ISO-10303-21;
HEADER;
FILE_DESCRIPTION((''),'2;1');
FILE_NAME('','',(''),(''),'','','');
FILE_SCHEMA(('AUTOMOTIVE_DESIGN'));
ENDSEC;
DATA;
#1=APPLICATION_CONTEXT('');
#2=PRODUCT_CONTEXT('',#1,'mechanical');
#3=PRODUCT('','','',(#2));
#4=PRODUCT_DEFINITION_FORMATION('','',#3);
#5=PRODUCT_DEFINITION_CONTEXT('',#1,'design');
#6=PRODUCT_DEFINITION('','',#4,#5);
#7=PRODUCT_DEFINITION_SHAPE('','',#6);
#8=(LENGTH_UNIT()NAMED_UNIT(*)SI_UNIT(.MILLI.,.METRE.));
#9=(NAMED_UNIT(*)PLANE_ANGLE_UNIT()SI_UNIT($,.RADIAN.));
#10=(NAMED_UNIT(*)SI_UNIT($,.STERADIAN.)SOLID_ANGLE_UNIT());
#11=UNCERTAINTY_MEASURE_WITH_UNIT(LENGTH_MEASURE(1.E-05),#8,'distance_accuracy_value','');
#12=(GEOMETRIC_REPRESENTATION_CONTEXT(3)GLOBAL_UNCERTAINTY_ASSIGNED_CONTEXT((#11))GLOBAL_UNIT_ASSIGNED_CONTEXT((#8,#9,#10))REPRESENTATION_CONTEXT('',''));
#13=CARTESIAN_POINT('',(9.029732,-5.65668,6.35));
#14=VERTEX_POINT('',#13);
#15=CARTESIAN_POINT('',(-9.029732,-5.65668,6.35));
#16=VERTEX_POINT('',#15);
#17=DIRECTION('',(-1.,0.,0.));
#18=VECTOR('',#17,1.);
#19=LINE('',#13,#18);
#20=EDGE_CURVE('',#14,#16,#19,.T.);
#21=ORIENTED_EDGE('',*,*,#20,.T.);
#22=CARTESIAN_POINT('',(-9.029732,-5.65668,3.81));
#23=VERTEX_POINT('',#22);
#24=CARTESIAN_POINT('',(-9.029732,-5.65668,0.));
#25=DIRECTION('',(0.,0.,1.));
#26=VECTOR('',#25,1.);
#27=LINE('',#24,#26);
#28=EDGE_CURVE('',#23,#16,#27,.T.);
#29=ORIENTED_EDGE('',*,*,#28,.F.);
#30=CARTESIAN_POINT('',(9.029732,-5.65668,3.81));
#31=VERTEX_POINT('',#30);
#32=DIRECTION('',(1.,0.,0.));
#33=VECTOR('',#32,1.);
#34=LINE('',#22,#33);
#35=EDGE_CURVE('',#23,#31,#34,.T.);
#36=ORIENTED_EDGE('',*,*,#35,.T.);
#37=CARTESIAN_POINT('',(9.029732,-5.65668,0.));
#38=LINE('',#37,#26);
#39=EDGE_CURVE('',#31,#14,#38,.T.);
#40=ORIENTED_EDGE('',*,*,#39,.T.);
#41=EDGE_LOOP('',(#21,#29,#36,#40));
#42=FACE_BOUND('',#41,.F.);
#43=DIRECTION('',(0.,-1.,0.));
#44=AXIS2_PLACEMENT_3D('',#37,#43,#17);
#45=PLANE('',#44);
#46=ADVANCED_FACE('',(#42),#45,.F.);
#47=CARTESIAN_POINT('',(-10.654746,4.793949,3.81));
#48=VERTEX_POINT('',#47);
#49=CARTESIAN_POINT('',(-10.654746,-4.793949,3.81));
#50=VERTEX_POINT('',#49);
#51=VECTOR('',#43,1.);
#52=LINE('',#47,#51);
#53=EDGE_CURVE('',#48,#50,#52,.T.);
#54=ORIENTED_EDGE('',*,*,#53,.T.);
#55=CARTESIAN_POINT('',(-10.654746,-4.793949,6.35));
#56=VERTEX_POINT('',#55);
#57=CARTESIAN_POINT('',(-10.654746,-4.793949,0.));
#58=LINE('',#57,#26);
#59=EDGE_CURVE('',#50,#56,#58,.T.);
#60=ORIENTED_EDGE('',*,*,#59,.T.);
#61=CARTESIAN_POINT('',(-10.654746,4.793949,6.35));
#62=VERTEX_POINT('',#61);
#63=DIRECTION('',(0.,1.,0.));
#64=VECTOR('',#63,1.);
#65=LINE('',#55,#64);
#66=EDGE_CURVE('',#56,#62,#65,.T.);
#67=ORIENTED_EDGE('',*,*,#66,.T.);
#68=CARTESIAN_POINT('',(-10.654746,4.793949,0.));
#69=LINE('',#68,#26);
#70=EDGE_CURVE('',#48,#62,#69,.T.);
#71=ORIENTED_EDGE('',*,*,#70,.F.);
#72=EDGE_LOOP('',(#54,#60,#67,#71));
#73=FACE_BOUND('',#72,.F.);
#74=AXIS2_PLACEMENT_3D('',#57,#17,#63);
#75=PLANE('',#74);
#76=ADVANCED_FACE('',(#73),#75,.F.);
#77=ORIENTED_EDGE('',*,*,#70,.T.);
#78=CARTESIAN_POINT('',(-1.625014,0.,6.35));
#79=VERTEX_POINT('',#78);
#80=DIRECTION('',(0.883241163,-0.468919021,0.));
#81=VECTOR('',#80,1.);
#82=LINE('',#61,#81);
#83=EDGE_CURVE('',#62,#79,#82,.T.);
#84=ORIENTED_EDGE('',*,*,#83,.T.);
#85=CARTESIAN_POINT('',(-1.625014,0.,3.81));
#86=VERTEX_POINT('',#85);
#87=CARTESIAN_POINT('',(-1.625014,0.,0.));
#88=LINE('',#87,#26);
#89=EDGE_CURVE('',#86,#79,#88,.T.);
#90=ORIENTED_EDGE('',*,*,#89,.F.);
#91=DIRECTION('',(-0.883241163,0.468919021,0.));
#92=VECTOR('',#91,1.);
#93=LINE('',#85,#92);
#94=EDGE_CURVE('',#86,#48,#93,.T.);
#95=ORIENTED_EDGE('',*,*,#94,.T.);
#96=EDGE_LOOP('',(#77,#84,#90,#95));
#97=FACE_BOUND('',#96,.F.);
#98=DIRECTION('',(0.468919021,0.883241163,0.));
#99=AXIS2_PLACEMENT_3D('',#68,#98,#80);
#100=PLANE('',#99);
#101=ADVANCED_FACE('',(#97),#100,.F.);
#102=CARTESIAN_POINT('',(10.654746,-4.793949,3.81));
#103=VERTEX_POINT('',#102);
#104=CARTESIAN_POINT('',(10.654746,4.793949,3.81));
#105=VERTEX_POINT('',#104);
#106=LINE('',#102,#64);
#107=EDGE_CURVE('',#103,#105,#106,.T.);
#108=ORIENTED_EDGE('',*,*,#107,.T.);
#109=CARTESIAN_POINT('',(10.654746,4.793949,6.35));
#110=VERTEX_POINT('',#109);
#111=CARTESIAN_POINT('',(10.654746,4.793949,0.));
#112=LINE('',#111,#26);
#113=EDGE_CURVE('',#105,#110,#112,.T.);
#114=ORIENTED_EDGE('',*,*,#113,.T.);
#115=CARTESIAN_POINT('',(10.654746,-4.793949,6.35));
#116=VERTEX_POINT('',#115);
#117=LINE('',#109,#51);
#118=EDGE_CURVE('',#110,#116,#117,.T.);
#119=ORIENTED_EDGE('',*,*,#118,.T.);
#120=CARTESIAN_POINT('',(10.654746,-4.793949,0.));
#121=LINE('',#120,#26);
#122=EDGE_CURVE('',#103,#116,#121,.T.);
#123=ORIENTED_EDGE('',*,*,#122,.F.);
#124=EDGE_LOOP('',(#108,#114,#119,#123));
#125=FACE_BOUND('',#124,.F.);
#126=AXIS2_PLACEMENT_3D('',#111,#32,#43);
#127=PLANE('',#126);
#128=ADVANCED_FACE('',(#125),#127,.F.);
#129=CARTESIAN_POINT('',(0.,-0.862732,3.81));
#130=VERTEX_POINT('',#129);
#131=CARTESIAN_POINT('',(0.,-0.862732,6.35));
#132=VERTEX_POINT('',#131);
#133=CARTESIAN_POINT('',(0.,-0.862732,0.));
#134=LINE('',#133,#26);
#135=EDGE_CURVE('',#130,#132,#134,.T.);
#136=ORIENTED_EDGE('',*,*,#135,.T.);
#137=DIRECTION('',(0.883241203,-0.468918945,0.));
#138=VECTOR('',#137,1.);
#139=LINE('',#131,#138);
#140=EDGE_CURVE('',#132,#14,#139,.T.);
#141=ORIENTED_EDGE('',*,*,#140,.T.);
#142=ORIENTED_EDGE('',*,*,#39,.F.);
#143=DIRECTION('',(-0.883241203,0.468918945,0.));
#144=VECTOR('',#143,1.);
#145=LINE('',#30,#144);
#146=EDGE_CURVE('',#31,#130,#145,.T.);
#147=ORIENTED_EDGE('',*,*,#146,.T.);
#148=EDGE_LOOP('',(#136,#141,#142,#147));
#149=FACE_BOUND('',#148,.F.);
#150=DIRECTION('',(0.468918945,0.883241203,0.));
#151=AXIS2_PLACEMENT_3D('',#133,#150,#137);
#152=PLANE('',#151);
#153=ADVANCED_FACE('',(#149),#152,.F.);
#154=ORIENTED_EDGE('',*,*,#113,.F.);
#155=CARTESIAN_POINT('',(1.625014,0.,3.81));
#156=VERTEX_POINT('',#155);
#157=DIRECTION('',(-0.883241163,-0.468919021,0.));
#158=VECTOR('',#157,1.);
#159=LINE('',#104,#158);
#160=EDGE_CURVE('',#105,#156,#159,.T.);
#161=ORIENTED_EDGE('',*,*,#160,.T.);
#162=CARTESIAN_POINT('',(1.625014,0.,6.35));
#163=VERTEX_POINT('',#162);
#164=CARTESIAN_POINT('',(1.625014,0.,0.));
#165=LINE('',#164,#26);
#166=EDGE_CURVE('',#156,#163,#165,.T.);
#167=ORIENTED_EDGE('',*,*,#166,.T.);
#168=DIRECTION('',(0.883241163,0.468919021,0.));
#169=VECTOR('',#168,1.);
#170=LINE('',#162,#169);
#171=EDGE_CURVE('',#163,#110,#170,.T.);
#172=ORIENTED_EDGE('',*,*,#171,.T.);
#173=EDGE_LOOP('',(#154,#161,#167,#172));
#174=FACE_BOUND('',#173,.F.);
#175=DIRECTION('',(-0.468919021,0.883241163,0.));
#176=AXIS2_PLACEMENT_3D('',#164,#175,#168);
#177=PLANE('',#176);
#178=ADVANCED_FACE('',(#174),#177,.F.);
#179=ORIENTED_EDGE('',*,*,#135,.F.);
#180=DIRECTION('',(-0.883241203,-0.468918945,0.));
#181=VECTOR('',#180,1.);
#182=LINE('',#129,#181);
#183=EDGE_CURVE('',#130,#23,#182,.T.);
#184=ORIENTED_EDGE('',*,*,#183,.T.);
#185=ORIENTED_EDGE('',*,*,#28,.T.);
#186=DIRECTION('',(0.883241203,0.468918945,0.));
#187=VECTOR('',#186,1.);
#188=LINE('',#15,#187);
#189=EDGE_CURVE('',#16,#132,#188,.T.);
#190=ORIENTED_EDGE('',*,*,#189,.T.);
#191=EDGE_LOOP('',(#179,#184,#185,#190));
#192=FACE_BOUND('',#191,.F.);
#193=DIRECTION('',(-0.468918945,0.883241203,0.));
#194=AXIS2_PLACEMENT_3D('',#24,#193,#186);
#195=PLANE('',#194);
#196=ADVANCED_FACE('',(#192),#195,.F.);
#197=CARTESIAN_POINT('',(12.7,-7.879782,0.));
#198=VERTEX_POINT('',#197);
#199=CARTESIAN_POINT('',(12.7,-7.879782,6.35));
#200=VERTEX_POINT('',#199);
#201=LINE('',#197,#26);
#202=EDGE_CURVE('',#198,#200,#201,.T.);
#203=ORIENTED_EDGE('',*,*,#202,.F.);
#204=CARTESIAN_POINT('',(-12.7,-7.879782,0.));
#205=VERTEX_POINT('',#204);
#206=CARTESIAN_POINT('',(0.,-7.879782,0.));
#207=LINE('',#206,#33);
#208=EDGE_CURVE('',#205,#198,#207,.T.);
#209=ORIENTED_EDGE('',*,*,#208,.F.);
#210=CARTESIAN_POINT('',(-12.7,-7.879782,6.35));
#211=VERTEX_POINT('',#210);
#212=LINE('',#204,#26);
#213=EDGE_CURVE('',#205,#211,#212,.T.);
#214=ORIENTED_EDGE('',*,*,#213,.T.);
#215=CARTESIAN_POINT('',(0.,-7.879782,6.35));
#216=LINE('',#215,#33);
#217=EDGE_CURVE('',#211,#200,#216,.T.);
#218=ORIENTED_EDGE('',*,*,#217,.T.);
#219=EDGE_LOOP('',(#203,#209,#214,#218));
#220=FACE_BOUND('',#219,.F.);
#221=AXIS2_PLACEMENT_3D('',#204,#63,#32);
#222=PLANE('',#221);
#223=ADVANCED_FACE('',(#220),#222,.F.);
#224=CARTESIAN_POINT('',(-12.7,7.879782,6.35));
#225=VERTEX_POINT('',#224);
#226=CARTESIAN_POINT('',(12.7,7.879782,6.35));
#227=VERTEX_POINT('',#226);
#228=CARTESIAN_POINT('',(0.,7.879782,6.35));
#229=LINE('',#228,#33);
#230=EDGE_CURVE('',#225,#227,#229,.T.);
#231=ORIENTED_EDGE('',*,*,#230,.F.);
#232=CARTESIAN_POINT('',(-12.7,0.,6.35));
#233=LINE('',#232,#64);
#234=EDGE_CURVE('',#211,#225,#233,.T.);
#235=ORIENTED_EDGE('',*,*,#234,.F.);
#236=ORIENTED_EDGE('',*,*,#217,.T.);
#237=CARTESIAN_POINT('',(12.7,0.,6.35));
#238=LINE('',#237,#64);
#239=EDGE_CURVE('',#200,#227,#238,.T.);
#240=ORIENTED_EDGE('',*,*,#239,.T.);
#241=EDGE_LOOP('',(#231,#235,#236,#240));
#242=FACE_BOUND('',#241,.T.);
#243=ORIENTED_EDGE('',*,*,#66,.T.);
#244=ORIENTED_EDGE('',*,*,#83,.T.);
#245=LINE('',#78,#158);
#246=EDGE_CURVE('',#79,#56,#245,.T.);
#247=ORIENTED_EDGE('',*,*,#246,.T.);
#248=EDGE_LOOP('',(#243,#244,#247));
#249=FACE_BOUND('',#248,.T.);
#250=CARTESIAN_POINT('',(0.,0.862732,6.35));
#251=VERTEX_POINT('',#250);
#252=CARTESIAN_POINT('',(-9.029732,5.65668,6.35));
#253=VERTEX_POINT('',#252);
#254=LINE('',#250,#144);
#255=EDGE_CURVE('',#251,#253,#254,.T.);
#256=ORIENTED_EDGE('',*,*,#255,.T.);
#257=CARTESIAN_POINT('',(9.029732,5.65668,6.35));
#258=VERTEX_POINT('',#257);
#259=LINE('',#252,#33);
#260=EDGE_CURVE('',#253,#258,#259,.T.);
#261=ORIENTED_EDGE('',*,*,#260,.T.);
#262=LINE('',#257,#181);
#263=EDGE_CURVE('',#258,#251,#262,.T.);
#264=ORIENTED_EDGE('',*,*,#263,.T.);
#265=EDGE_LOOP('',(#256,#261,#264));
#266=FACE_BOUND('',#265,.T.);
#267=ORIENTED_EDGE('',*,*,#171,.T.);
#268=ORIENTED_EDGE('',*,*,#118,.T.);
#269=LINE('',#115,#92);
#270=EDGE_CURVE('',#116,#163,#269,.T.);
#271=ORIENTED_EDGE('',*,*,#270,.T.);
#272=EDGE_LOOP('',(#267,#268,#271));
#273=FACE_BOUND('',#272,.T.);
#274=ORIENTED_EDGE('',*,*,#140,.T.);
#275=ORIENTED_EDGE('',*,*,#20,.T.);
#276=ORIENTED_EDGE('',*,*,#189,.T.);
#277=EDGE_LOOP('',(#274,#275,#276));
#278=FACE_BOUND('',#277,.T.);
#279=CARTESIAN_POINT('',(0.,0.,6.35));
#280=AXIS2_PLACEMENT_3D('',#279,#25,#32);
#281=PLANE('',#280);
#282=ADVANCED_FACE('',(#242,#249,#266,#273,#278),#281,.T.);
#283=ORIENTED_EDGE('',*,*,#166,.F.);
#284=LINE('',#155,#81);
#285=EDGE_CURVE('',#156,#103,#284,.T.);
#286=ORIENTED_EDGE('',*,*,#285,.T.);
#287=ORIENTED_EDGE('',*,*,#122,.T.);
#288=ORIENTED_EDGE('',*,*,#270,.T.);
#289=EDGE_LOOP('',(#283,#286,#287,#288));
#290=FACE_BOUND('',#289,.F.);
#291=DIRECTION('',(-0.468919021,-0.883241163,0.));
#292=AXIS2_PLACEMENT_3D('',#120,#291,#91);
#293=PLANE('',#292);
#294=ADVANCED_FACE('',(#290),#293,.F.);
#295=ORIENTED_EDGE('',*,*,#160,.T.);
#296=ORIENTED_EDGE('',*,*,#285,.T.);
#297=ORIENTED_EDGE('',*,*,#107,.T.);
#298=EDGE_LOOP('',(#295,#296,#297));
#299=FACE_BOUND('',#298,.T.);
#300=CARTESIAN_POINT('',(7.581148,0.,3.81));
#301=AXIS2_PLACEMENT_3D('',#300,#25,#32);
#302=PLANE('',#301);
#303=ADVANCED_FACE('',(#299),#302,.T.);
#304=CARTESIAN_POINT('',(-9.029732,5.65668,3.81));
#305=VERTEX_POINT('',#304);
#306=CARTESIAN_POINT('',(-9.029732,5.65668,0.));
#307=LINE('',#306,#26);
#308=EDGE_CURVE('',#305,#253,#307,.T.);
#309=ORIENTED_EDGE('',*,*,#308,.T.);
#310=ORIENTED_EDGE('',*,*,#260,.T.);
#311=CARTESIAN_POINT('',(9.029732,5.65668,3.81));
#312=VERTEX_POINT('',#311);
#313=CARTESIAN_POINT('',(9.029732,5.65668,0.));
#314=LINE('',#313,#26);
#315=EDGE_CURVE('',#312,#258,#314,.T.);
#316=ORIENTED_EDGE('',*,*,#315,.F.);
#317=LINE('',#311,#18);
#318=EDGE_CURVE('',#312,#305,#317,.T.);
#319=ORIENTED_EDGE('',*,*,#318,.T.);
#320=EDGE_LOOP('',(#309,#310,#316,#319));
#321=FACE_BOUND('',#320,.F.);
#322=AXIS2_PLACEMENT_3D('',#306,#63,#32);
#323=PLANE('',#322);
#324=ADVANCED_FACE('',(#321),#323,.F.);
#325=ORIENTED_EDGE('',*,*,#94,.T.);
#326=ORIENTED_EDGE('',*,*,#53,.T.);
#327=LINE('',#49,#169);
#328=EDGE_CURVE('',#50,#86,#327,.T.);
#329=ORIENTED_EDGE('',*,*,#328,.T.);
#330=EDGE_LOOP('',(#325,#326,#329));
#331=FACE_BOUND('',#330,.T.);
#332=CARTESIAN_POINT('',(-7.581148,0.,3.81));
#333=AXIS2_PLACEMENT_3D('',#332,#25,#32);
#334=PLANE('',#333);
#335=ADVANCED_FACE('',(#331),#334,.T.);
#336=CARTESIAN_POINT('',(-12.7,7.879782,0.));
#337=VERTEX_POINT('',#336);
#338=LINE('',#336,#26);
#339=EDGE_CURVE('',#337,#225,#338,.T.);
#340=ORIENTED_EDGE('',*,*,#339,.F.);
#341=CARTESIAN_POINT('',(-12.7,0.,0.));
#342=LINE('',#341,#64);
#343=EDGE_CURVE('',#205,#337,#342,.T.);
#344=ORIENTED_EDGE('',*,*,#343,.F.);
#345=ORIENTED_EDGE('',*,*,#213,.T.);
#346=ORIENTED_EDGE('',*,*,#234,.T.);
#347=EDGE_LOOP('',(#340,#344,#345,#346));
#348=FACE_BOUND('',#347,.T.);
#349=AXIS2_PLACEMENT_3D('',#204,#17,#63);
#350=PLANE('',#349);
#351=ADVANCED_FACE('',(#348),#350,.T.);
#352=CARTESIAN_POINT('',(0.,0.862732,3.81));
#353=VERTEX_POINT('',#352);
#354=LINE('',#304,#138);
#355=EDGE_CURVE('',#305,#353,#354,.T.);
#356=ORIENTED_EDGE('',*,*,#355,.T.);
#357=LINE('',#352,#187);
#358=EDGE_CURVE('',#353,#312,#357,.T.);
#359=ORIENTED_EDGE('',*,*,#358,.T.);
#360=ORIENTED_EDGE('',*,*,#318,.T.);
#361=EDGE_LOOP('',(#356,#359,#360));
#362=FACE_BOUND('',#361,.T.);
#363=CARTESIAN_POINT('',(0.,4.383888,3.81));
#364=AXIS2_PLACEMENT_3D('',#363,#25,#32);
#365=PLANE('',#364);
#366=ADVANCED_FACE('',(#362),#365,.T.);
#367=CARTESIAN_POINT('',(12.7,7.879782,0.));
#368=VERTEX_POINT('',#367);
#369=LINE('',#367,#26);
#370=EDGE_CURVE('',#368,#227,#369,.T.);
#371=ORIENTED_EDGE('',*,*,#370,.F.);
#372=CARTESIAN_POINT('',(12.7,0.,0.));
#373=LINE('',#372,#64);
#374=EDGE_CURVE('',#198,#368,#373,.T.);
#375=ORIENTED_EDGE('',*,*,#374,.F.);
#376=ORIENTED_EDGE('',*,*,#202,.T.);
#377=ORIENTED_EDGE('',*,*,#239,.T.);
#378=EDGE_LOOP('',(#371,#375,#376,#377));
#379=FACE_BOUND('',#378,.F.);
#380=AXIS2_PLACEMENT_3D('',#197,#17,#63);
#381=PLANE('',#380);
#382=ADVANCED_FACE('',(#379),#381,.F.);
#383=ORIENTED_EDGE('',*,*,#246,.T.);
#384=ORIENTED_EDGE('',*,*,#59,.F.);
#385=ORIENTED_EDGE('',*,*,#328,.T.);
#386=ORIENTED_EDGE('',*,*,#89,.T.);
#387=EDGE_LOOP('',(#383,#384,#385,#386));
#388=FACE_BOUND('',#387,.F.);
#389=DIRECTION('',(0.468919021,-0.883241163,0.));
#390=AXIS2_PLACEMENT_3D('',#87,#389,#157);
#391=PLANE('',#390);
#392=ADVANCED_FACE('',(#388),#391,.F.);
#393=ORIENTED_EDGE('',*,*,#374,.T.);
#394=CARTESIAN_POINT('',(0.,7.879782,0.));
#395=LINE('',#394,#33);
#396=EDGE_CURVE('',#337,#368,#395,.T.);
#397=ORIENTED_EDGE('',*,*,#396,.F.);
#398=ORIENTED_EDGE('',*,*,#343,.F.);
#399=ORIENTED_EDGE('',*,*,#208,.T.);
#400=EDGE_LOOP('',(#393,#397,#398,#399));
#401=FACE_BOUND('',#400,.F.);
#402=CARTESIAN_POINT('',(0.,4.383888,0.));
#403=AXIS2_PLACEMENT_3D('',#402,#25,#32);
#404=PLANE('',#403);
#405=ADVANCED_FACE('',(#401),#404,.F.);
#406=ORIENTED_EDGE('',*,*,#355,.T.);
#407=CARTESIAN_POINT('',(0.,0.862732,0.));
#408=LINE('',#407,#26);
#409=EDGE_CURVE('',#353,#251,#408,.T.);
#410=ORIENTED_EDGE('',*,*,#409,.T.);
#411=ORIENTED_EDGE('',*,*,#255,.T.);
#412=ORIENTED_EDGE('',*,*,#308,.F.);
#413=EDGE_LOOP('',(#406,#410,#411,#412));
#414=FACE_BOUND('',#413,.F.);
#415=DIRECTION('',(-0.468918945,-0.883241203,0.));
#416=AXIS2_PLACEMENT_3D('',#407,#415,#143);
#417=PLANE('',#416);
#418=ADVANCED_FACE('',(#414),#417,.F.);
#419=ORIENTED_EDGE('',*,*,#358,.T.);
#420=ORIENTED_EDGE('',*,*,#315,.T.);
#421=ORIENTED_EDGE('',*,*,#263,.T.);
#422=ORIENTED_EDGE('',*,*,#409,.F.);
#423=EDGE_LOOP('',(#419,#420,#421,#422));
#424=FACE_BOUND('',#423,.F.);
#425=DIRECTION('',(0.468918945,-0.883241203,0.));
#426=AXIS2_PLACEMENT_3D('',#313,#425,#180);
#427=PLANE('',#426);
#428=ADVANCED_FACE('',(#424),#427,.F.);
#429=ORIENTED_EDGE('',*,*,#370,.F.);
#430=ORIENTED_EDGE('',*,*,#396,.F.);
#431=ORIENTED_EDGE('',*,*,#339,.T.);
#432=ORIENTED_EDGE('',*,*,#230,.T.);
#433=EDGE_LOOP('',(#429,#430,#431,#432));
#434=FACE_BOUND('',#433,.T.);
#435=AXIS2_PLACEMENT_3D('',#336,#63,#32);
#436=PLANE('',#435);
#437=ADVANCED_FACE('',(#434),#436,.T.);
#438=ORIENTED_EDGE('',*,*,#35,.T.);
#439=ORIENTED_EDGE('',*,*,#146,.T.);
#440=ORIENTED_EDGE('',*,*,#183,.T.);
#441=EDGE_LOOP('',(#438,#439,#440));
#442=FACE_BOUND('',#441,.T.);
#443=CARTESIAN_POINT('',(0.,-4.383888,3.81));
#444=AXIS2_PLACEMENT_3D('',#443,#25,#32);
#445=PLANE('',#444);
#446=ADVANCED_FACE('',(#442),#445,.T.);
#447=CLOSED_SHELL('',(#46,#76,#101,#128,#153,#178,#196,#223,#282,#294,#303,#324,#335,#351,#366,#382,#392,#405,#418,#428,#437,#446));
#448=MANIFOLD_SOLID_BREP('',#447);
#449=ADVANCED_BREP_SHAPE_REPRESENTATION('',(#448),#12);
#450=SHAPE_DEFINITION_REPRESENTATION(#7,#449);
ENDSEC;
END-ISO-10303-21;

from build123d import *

# Parameters (mm, degrees)
F0_W     = 25.4
F0_H     = 15.759564
F1_DEPTH = 6.35
F2_DEPTH = 3.81


with BuildPart() as f1:
    # F0 (on Top) → F1 (new body)
    with BuildSketch(Plane.XY):
        Rectangle(F0_W, F0_H)
        Polygon((-10.654746, -4.793949), (-10.654746, 4.793949), (-1.625014, 0), align=None, mode=Mode.SUBTRACT)
        Polygon((9.029732, -5.65668), (-9.029732, -5.65668), (0, -0.862732), align=None, mode=Mode.SUBTRACT)
        Polygon((0, 0.862732), (-9.029732, 5.65668), (9.029732, 5.65668), align=None, mode=Mode.SUBTRACT)
        Polygon((1.625014, 0), (10.654746, 4.793949), (10.654746, -4.793949), align=None, mode=Mode.SUBTRACT)
    extrude(amount=F1_DEPTH)

    # F0 (on Top) → F2 (join)
    with BuildSketch(Plane.XY):
        Polygon((9.029732, 5.65668), (-9.029732, 5.65668), (0, 0.862732), align=None)
        Polygon((-1.625014, 0), (-10.654746, 4.793949), (-10.654746, -4.793949), align=None)
        Polygon((0, -0.862732), (-9.029732, -5.65668), (9.029732, -5.65668), align=None)
        Polygon((10.654746, -4.793949), (10.654746, 4.793949), (1.625014, 0), align=None)
    extrude(amount=F2_DEPTH)


solid = f1.part
